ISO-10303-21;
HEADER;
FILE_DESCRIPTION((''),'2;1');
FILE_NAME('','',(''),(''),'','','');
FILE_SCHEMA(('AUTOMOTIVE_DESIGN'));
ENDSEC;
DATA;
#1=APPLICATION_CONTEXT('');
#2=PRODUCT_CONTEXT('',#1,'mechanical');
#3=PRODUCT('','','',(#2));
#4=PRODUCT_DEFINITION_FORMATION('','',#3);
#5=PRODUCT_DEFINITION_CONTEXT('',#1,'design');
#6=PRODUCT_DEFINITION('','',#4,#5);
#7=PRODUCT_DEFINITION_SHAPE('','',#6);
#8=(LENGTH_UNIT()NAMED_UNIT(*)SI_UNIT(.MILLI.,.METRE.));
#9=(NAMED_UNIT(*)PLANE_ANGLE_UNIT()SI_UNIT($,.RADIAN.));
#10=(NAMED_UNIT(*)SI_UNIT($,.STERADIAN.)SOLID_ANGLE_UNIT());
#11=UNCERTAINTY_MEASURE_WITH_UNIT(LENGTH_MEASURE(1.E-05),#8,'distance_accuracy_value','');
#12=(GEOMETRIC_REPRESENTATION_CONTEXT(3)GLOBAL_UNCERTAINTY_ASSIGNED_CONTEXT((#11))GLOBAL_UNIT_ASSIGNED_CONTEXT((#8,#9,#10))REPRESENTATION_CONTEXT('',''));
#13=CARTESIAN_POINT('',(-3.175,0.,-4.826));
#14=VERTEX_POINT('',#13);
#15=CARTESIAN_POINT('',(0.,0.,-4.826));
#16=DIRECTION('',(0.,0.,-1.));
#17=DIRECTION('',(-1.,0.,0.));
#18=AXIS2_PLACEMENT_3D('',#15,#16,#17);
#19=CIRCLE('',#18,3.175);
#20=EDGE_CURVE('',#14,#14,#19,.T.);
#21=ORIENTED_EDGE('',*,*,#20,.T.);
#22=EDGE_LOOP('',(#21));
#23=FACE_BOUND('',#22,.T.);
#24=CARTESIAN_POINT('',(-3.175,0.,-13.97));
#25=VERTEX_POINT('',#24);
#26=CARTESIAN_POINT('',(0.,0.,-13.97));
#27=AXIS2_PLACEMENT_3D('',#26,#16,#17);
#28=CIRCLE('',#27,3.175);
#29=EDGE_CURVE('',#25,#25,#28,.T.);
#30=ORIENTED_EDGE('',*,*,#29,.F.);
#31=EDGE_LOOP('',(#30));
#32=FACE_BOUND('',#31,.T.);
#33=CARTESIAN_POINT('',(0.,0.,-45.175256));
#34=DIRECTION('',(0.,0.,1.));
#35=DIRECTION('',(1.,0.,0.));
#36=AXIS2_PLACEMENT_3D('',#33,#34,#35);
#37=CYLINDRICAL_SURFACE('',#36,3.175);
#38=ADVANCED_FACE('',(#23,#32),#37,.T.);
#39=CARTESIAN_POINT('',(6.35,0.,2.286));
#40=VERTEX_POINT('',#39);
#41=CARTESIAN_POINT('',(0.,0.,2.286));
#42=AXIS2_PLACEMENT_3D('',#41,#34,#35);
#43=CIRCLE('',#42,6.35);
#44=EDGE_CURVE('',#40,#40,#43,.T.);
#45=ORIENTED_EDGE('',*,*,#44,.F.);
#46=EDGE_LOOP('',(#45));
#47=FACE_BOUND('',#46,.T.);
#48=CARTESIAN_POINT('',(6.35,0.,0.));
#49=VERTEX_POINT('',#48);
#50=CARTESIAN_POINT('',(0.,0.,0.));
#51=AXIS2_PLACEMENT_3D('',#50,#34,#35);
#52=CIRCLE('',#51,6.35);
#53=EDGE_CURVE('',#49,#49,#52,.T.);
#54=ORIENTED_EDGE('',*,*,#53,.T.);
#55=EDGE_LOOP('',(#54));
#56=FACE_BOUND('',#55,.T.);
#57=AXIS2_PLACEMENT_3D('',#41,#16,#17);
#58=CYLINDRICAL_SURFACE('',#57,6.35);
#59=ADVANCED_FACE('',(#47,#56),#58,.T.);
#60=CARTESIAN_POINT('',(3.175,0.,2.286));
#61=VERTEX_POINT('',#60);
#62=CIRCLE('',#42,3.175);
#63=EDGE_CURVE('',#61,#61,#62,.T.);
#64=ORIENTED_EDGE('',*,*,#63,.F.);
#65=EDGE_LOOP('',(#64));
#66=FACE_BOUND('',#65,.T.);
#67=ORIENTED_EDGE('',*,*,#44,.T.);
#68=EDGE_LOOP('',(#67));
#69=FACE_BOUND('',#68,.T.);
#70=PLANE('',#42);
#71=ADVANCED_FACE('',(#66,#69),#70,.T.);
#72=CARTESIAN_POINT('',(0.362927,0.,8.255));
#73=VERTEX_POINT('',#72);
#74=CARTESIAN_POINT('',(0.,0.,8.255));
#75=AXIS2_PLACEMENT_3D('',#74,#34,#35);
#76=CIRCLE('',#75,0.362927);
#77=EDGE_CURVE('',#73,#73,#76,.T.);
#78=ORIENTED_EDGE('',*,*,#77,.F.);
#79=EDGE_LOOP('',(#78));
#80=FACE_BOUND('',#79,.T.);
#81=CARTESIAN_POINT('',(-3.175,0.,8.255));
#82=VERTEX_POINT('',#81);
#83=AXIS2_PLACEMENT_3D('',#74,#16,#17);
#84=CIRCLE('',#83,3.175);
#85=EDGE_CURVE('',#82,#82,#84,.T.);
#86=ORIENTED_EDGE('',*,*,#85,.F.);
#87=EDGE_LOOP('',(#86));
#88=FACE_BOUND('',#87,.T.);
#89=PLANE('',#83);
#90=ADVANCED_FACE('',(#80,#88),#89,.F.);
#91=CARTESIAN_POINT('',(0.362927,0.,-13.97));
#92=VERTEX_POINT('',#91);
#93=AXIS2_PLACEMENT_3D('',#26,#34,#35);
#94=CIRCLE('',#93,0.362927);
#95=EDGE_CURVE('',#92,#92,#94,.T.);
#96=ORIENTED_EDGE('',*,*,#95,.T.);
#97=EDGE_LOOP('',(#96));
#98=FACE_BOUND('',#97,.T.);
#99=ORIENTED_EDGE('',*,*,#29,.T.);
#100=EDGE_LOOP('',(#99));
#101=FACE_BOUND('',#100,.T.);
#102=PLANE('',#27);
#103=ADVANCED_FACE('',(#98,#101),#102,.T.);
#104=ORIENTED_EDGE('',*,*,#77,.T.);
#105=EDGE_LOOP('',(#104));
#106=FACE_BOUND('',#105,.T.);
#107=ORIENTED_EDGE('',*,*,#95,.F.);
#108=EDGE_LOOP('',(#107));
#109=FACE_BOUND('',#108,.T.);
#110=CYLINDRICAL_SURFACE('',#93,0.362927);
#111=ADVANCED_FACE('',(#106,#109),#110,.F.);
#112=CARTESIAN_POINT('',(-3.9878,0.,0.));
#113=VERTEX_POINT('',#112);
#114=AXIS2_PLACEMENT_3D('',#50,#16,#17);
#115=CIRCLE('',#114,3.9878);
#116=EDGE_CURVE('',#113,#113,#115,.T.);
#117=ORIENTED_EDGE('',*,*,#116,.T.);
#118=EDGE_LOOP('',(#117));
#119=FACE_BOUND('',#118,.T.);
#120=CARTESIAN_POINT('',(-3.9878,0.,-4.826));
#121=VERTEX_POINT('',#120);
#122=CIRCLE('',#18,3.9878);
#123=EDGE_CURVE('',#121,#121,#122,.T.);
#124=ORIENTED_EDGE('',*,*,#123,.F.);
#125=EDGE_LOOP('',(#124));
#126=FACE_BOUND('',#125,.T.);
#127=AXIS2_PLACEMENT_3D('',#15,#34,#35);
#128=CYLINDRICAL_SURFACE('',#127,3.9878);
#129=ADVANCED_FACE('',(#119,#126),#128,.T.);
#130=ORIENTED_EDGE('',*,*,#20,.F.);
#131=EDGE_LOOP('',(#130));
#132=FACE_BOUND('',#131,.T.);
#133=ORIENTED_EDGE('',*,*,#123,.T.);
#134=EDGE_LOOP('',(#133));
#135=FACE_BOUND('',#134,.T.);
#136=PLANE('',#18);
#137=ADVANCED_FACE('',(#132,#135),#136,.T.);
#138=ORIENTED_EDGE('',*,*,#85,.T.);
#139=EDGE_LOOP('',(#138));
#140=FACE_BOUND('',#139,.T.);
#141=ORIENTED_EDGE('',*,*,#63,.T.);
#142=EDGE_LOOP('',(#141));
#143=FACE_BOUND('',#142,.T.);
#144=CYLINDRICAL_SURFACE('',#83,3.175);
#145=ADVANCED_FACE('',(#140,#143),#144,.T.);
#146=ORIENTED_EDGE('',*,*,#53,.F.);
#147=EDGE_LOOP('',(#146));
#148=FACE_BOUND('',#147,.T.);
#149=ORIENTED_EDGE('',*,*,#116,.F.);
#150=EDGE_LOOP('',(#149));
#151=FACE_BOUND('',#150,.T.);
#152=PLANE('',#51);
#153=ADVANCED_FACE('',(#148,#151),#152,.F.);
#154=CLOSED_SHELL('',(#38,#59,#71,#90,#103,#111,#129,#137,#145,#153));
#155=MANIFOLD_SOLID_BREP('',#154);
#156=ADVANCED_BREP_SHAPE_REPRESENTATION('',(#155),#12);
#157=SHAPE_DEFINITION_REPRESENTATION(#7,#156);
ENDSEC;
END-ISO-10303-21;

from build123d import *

# Parameters (mm, degrees)
SKETCH1_R           = 6.35
BOSS_EXTRUDE1_DEPTH = 2.286
SKETCH2_R           = 3.175
BOSS_EXTRUDE2_DEPTH = 8.255
SKETCH3_R           = 3.9878
BOSS_EXTRUDE3_DEPTH = 4.826
SKETCH4_R           = 3.175
BOSS_EXTRUDE4_DEPTH = 9.144
SKETCH5_R           = 0.362927277
CUT_EXTRUDE1_DEPTH  = 23.225


with BuildPart() as part:
    # Sketch1 → Boss-Extrude1 (new body)
    with BuildSketch(Plane.XY):
        Circle(SKETCH1_R)
    extrude(amount=BOSS_EXTRUDE1_DEPTH)

    # Sketch2 → Boss-Extrude2 (add)
    with BuildSketch(Plane(origin=(0, 0, 0), x_dir=(-1, 0, 0), z_dir=(0, 0, -1))):
        Circle(SKETCH2_R)
    extrude(amount=-BOSS_EXTRUDE2_DEPTH)

    # Sketch3 → Boss-Extrude3 (add)
    with BuildSketch(Plane(origin=(0, 0, 0), x_dir=(-1, 0, 0), z_dir=(0, 0, -1))):
        Circle(SKETCH3_R)
    extrude(amount=BOSS_EXTRUDE3_DEPTH)

    # Sketch4 → Boss-Extrude4 (add)
    with BuildSketch(Plane(origin=(0, 0, -4.826), x_dir=(-1, 0, 0), z_dir=(0, 0, -1))):
        Circle(SKETCH4_R)
    extrude(amount=BOSS_EXTRUDE4_DEPTH)

    # Sketch5 → Cut-Extrude1 (cut, through all)
    with BuildSketch(Plane.XY.offset(8.255)):
        Circle(SKETCH5_R)
    extrude(amount=-CUT_EXTRUDE1_DEPTH, mode=Mode.SUBTRACT)


solid = part.part
